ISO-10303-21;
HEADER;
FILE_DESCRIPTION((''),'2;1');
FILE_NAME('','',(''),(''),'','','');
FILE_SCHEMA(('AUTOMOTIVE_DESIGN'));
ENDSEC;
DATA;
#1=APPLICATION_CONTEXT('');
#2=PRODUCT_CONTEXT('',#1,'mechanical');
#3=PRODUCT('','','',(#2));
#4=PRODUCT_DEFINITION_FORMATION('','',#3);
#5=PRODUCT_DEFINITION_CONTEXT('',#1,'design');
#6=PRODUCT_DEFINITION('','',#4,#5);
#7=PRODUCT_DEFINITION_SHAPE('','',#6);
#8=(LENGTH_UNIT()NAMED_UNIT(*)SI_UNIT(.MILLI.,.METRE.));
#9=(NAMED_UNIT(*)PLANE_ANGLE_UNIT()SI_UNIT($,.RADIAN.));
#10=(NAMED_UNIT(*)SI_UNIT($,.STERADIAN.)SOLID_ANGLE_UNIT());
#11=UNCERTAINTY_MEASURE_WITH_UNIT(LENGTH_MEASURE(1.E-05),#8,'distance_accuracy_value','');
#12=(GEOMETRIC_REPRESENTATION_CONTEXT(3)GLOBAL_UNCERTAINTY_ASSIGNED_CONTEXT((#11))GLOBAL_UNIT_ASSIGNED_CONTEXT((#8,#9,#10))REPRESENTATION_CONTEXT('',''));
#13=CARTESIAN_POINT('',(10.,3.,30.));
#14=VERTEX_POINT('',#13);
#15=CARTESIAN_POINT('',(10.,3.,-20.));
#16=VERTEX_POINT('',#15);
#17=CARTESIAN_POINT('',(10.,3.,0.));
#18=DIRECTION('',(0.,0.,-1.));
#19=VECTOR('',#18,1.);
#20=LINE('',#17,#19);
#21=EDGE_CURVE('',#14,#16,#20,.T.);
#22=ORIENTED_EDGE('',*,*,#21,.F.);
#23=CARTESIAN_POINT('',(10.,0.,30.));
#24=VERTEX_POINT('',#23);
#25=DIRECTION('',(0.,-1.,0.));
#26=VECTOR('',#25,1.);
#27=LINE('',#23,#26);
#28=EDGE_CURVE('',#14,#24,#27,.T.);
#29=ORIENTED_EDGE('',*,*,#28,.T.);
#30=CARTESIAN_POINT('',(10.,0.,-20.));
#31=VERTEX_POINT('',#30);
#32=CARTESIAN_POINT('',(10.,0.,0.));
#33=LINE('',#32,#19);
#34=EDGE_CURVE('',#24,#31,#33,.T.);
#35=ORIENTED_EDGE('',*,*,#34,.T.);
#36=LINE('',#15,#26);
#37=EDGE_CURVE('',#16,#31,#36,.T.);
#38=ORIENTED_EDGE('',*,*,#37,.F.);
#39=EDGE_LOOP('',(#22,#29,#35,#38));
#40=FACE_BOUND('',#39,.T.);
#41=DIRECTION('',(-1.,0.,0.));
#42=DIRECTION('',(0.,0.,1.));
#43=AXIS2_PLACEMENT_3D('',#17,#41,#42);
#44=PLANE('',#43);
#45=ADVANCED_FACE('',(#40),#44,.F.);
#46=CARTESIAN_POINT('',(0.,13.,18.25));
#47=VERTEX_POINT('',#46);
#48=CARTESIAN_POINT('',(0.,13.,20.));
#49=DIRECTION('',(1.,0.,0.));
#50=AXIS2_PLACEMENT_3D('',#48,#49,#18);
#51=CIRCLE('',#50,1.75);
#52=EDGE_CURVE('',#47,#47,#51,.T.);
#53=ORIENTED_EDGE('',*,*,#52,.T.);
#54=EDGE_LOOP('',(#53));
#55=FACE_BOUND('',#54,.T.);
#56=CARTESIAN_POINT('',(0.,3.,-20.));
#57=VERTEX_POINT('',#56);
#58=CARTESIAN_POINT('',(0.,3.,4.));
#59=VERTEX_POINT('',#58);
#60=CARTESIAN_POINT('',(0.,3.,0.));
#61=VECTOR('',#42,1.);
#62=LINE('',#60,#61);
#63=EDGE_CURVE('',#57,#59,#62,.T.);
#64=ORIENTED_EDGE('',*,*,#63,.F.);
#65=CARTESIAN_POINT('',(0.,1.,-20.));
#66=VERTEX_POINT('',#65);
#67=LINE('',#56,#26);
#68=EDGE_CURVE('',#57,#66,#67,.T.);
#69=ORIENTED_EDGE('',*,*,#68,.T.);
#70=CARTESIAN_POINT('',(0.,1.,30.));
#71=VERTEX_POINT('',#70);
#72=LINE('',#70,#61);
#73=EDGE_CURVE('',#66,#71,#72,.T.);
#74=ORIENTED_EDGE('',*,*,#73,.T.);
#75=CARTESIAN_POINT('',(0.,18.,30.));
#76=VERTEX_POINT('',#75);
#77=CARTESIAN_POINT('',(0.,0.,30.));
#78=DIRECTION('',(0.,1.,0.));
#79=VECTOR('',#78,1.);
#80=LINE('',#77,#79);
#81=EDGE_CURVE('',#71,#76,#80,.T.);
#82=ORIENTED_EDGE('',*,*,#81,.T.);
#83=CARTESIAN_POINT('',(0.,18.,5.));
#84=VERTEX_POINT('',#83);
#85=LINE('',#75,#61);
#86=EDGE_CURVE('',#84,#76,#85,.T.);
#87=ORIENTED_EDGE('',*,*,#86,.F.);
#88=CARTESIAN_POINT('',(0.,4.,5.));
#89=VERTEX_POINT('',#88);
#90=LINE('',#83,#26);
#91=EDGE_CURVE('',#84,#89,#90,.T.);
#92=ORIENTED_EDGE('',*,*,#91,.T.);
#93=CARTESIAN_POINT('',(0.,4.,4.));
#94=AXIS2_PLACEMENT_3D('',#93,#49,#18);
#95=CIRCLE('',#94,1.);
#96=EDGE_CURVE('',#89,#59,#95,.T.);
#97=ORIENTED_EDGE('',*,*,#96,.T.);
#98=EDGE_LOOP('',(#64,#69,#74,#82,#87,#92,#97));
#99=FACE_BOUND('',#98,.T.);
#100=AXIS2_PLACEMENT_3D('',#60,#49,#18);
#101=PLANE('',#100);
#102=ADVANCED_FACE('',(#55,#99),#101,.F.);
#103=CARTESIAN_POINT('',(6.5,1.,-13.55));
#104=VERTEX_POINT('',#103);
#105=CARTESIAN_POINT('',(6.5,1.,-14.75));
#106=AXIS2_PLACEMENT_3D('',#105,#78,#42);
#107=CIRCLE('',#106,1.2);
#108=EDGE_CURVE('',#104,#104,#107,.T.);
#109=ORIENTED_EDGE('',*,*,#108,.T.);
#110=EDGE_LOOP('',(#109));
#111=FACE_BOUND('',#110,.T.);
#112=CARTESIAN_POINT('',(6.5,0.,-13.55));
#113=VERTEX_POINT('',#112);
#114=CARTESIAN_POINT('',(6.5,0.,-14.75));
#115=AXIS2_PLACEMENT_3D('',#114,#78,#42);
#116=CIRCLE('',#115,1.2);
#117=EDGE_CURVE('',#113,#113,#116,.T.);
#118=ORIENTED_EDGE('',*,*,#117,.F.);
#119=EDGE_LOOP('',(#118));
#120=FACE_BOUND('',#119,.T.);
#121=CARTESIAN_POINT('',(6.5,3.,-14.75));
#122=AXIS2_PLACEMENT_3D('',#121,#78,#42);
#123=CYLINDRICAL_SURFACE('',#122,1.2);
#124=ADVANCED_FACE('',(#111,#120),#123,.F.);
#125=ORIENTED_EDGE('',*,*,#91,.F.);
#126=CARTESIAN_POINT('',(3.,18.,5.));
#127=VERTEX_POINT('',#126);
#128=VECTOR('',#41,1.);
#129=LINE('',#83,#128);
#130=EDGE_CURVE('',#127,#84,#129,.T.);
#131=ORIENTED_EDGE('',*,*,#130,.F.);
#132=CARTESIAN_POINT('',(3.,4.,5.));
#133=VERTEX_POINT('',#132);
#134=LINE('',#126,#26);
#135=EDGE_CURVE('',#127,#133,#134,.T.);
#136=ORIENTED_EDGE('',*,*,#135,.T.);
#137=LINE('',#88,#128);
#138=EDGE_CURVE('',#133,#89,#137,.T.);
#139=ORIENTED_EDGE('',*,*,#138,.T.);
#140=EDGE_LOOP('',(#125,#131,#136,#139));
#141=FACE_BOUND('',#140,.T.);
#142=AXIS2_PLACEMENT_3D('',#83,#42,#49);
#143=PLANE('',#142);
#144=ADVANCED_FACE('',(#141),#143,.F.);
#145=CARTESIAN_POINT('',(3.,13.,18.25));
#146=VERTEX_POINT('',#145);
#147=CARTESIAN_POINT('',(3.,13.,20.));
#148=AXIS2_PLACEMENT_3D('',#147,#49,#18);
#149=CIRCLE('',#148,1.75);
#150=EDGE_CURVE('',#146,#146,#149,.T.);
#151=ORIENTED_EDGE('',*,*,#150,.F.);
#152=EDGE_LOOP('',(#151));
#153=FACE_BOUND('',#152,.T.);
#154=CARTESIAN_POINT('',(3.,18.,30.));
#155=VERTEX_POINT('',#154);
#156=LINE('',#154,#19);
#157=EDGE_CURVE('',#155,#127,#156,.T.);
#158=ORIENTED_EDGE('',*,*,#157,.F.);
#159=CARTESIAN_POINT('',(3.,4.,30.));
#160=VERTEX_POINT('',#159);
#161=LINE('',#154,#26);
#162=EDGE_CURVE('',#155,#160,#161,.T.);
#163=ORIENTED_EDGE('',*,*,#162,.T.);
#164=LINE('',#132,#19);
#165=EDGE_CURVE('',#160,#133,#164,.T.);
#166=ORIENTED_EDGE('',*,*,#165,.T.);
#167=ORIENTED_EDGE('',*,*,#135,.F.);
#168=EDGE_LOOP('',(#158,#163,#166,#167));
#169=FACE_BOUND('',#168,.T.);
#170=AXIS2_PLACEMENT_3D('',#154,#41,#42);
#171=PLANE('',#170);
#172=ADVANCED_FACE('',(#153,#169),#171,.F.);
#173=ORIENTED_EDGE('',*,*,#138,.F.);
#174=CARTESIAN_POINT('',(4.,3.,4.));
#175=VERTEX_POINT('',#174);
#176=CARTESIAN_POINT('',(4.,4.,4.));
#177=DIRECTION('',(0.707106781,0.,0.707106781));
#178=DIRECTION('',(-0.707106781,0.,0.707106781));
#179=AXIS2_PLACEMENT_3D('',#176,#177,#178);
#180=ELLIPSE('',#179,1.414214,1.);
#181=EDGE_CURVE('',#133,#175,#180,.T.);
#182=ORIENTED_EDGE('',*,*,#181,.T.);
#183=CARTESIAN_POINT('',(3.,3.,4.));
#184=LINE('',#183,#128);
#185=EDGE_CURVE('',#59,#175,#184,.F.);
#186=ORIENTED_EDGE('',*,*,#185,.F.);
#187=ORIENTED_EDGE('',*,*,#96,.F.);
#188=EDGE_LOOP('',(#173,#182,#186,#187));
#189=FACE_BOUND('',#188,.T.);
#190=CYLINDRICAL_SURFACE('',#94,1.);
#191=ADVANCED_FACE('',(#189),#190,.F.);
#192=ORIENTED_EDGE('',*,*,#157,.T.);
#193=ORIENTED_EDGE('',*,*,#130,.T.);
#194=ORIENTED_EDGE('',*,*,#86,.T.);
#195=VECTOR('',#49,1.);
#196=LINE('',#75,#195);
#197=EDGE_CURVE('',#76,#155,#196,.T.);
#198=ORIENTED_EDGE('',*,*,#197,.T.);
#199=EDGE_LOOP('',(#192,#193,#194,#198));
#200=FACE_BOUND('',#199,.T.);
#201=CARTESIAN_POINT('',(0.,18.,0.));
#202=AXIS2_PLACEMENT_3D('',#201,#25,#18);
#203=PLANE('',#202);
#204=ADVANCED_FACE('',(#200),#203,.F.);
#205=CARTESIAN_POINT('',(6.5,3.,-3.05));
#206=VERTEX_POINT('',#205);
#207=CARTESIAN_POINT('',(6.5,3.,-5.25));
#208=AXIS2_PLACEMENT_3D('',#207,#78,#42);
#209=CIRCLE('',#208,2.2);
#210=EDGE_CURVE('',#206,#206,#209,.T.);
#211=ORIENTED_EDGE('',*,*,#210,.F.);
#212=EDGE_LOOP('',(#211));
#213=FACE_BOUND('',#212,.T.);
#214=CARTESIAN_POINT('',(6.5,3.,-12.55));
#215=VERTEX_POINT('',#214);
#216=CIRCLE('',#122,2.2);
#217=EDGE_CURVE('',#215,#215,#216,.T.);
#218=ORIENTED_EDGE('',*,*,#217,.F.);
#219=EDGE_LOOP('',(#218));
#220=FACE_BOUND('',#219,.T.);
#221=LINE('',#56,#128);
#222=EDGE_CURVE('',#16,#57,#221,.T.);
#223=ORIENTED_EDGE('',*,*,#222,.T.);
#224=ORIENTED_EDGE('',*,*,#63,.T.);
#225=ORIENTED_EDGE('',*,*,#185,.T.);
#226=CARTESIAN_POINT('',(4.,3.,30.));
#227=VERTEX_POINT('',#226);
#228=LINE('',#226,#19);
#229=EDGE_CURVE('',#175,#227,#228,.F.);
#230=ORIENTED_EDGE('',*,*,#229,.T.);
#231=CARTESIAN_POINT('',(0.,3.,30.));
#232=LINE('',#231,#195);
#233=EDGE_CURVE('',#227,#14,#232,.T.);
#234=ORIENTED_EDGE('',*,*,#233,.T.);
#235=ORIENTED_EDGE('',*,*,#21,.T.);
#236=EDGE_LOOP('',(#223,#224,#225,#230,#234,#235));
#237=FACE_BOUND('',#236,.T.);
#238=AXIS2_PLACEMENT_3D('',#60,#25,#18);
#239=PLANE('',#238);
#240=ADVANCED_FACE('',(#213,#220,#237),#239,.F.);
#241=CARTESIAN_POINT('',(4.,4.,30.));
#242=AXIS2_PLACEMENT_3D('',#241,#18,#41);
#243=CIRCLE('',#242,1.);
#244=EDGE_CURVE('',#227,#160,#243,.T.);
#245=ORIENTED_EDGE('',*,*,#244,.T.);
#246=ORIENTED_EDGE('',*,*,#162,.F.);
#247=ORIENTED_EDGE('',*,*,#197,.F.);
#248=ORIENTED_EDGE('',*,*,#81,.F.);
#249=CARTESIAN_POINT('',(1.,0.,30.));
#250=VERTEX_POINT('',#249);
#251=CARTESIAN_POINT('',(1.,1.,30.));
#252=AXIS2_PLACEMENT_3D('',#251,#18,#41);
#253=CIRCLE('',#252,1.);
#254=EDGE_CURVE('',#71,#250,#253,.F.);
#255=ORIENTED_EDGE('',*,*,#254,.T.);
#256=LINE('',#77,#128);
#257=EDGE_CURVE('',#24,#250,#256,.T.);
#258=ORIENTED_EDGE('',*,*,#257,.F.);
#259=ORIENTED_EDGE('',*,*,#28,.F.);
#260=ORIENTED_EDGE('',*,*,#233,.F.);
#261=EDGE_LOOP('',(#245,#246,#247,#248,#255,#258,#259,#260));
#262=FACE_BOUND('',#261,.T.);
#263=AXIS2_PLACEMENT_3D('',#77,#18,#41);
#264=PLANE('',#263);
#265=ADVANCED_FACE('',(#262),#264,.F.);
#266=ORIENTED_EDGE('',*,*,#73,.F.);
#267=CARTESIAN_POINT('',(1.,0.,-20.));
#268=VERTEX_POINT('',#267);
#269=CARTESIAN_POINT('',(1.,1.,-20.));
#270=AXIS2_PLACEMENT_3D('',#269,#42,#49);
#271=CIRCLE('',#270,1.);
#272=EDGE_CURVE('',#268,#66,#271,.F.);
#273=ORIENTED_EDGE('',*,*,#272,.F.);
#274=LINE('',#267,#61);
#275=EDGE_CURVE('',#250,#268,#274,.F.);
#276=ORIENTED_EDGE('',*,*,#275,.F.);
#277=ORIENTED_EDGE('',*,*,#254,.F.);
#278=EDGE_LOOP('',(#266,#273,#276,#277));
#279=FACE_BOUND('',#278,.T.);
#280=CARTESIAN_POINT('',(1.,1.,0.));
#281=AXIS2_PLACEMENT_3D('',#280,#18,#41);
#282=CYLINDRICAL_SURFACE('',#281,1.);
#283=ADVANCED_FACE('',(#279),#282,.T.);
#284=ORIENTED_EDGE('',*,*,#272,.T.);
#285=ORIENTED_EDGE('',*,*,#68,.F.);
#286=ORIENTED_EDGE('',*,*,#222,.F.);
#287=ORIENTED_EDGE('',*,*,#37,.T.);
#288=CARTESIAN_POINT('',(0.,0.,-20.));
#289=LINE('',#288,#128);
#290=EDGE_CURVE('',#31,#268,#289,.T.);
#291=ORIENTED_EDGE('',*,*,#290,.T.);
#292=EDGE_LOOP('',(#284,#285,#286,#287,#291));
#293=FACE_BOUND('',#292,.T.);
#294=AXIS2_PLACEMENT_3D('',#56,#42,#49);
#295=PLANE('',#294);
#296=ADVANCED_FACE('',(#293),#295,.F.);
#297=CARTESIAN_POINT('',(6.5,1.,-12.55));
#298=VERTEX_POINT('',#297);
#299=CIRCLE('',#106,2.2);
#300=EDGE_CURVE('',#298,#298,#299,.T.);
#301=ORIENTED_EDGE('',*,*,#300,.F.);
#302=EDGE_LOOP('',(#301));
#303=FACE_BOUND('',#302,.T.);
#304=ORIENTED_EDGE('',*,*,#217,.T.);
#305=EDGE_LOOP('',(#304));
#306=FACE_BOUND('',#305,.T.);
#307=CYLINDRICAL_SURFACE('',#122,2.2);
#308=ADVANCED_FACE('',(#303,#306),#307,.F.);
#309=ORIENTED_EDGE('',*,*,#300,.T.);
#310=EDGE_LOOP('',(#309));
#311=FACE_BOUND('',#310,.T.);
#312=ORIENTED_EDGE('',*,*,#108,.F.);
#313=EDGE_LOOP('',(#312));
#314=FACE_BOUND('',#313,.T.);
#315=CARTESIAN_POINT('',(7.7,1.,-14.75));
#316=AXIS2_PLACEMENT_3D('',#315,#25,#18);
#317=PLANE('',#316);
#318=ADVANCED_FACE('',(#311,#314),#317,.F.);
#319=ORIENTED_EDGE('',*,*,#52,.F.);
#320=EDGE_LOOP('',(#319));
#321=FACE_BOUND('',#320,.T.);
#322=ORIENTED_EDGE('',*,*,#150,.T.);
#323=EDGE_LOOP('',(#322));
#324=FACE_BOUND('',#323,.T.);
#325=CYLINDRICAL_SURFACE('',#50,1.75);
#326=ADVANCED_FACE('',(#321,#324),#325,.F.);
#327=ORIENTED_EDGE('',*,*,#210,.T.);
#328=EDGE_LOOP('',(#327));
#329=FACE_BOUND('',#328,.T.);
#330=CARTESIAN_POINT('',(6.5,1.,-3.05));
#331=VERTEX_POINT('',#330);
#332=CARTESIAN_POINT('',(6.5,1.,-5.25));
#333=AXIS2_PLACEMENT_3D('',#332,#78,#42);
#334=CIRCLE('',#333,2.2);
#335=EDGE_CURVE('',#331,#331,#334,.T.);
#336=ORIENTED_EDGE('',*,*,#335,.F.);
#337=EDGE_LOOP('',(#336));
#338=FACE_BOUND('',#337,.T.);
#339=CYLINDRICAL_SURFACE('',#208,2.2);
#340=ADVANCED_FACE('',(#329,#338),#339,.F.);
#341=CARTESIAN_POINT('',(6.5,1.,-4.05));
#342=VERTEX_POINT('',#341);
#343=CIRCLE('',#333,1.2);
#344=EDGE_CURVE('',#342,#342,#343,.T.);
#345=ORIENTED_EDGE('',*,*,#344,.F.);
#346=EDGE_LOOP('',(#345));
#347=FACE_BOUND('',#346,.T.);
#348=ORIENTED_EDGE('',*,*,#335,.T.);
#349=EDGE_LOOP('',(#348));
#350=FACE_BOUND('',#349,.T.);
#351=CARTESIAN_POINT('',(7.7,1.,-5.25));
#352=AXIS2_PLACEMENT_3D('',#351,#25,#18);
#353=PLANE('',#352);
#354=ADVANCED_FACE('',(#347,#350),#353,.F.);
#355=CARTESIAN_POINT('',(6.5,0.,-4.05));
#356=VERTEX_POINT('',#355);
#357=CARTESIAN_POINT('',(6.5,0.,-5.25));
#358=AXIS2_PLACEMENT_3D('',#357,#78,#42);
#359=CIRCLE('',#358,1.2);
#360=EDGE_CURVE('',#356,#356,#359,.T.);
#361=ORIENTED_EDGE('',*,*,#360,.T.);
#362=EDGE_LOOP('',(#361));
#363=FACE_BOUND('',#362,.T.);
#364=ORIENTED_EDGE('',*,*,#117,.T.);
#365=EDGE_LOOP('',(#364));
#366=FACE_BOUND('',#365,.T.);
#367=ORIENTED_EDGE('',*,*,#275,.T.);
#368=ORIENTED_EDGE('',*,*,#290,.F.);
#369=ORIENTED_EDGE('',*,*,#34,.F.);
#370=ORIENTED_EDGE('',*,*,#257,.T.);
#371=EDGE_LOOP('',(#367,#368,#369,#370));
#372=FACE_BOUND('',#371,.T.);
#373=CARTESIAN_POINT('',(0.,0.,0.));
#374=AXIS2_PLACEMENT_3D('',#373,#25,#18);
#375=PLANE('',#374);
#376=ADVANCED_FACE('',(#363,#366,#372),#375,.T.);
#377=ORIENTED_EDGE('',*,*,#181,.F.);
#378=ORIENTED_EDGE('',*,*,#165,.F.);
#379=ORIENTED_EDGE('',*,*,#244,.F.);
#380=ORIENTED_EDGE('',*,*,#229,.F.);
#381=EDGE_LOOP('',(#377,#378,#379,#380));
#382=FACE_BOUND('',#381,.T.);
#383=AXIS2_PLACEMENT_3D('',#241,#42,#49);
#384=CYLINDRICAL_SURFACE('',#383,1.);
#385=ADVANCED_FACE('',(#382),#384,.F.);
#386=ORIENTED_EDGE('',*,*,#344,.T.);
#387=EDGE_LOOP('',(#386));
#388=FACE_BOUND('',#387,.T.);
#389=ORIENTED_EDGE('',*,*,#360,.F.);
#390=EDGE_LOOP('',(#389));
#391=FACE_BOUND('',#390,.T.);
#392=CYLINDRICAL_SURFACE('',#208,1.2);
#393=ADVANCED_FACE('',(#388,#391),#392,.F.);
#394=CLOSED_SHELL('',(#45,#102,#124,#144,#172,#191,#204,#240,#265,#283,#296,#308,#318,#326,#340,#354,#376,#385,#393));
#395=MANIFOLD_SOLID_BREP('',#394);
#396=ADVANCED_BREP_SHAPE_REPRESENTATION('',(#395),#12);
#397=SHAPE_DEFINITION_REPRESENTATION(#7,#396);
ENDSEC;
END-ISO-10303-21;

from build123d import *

# Parameters (mm, degrees)
SKETCH1_W                      = 10
SKETCH1_H                      = 20
SKETCH1_R                      = 1.175
BOSS_EXTRUDE1_DEPTH            = 3
CBORE_FOR_M2_SHCS1_D           = 2.4
CBORE_FOR_M2_SHCS1_CBORE_D     = 4.4
CBORE_FOR_M2_SHCS1_CBORE_DEPTH = 2
SKETCH6_W                      = 10
SKETCH6_H                      = 3
BOSS_EXTRUDE2_DEPTH            = 30
SKETCH8_W                      = 3
SKETCH8_H                      = 25
BOSS_EXTRUDE3_DEPTH            = 15
SKETCH9_R                      = 1.75
CUT_EXTRUDE1_DEPTH             = 36.67912555
FILLET1_R                      = 1
FILLET2_R                      = 1


with BuildPart() as part:
    # Sketch1 → Boss-Extrude1 (new body)
    with BuildSketch(Plane(origin=(0, 0, 0), x_dir=(1, 0, 0), z_dir=(0, 1, 0))):
        with Locations((5, 10)):
            Rectangle(SKETCH1_W, SKETCH1_H)
        with Locations(Location((6.5, 5.25, 0), (0, 0, 270))):
            Circle(SKETCH1_R, mode=Mode.SUBTRACT)
        with Locations(Location((6.5, 14.75, 0), (0, 0, 270))):
            Circle(SKETCH1_R, mode=Mode.SUBTRACT)
    extrude(amount=BOSS_EXTRUDE1_DEPTH)

    # CBORE for M2 SHCS1 (through all)
    with Locations(Plane(origin=(0, 3, 0), x_dir=(1, 0, 0), z_dir=(0, 1, 0))):
        with Locations((6.5, 14.75), (6.5, 5.25)):
            CounterBoreHole(CBORE_FOR_M2_SHCS1_D / 2, CBORE_FOR_M2_SHCS1_CBORE_D / 2, CBORE_FOR_M2_SHCS1_CBORE_DEPTH)

    # Sketch6 → Boss-Extrude2 (add)
    with BuildSketch(Plane(origin=(0, 0, 0), x_dir=(-1, 0, 0), z_dir=(0, 0, -1))):
        with Locations((-5, 1.5)):
            Rectangle(SKETCH6_W, SKETCH6_H)
    extrude(amount=-BOSS_EXTRUDE2_DEPTH)

    # Sketch8 → Boss-Extrude3 (add)
    with BuildSketch(Plane(origin=(0, 3, 0), x_dir=(1, 0, 0), z_dir=(0, 1, 0))):
        with Locations((1.5, -17.5)):
            Rectangle(SKETCH8_W, SKETCH8_H)
    extrude(amount=BOSS_EXTRUDE3_DEPTH)

    # Sketch9 → Cut-Extrude1 (cut, through all)
    with BuildSketch(Plane(origin=(3, 0, 0), x_dir=(0, 0, -1), z_dir=(1, 0, 0))):
        with Locations((-20, 13)):
            Circle(SKETCH9_R)
    extrude(amount=-CUT_EXTRUDE1_DEPTH, mode=Mode.SUBTRACT)

    # Fillet1
    fillet1_edges = [part.edges().sort_by_distance(p)[0] for p in [
        (3, 3, 17.5),
        (1.5, 3, 5),
    ]]
    fillet(fillet1_edges, radius=FILLET1_R)

    # Fillet2
    fillet2_edges = [part.edges().sort_by_distance(p)[0] for p in [
        (0, 0, 5),
    ]]
    fillet(fillet2_edges, radius=FILLET2_R)


solid = part.part
